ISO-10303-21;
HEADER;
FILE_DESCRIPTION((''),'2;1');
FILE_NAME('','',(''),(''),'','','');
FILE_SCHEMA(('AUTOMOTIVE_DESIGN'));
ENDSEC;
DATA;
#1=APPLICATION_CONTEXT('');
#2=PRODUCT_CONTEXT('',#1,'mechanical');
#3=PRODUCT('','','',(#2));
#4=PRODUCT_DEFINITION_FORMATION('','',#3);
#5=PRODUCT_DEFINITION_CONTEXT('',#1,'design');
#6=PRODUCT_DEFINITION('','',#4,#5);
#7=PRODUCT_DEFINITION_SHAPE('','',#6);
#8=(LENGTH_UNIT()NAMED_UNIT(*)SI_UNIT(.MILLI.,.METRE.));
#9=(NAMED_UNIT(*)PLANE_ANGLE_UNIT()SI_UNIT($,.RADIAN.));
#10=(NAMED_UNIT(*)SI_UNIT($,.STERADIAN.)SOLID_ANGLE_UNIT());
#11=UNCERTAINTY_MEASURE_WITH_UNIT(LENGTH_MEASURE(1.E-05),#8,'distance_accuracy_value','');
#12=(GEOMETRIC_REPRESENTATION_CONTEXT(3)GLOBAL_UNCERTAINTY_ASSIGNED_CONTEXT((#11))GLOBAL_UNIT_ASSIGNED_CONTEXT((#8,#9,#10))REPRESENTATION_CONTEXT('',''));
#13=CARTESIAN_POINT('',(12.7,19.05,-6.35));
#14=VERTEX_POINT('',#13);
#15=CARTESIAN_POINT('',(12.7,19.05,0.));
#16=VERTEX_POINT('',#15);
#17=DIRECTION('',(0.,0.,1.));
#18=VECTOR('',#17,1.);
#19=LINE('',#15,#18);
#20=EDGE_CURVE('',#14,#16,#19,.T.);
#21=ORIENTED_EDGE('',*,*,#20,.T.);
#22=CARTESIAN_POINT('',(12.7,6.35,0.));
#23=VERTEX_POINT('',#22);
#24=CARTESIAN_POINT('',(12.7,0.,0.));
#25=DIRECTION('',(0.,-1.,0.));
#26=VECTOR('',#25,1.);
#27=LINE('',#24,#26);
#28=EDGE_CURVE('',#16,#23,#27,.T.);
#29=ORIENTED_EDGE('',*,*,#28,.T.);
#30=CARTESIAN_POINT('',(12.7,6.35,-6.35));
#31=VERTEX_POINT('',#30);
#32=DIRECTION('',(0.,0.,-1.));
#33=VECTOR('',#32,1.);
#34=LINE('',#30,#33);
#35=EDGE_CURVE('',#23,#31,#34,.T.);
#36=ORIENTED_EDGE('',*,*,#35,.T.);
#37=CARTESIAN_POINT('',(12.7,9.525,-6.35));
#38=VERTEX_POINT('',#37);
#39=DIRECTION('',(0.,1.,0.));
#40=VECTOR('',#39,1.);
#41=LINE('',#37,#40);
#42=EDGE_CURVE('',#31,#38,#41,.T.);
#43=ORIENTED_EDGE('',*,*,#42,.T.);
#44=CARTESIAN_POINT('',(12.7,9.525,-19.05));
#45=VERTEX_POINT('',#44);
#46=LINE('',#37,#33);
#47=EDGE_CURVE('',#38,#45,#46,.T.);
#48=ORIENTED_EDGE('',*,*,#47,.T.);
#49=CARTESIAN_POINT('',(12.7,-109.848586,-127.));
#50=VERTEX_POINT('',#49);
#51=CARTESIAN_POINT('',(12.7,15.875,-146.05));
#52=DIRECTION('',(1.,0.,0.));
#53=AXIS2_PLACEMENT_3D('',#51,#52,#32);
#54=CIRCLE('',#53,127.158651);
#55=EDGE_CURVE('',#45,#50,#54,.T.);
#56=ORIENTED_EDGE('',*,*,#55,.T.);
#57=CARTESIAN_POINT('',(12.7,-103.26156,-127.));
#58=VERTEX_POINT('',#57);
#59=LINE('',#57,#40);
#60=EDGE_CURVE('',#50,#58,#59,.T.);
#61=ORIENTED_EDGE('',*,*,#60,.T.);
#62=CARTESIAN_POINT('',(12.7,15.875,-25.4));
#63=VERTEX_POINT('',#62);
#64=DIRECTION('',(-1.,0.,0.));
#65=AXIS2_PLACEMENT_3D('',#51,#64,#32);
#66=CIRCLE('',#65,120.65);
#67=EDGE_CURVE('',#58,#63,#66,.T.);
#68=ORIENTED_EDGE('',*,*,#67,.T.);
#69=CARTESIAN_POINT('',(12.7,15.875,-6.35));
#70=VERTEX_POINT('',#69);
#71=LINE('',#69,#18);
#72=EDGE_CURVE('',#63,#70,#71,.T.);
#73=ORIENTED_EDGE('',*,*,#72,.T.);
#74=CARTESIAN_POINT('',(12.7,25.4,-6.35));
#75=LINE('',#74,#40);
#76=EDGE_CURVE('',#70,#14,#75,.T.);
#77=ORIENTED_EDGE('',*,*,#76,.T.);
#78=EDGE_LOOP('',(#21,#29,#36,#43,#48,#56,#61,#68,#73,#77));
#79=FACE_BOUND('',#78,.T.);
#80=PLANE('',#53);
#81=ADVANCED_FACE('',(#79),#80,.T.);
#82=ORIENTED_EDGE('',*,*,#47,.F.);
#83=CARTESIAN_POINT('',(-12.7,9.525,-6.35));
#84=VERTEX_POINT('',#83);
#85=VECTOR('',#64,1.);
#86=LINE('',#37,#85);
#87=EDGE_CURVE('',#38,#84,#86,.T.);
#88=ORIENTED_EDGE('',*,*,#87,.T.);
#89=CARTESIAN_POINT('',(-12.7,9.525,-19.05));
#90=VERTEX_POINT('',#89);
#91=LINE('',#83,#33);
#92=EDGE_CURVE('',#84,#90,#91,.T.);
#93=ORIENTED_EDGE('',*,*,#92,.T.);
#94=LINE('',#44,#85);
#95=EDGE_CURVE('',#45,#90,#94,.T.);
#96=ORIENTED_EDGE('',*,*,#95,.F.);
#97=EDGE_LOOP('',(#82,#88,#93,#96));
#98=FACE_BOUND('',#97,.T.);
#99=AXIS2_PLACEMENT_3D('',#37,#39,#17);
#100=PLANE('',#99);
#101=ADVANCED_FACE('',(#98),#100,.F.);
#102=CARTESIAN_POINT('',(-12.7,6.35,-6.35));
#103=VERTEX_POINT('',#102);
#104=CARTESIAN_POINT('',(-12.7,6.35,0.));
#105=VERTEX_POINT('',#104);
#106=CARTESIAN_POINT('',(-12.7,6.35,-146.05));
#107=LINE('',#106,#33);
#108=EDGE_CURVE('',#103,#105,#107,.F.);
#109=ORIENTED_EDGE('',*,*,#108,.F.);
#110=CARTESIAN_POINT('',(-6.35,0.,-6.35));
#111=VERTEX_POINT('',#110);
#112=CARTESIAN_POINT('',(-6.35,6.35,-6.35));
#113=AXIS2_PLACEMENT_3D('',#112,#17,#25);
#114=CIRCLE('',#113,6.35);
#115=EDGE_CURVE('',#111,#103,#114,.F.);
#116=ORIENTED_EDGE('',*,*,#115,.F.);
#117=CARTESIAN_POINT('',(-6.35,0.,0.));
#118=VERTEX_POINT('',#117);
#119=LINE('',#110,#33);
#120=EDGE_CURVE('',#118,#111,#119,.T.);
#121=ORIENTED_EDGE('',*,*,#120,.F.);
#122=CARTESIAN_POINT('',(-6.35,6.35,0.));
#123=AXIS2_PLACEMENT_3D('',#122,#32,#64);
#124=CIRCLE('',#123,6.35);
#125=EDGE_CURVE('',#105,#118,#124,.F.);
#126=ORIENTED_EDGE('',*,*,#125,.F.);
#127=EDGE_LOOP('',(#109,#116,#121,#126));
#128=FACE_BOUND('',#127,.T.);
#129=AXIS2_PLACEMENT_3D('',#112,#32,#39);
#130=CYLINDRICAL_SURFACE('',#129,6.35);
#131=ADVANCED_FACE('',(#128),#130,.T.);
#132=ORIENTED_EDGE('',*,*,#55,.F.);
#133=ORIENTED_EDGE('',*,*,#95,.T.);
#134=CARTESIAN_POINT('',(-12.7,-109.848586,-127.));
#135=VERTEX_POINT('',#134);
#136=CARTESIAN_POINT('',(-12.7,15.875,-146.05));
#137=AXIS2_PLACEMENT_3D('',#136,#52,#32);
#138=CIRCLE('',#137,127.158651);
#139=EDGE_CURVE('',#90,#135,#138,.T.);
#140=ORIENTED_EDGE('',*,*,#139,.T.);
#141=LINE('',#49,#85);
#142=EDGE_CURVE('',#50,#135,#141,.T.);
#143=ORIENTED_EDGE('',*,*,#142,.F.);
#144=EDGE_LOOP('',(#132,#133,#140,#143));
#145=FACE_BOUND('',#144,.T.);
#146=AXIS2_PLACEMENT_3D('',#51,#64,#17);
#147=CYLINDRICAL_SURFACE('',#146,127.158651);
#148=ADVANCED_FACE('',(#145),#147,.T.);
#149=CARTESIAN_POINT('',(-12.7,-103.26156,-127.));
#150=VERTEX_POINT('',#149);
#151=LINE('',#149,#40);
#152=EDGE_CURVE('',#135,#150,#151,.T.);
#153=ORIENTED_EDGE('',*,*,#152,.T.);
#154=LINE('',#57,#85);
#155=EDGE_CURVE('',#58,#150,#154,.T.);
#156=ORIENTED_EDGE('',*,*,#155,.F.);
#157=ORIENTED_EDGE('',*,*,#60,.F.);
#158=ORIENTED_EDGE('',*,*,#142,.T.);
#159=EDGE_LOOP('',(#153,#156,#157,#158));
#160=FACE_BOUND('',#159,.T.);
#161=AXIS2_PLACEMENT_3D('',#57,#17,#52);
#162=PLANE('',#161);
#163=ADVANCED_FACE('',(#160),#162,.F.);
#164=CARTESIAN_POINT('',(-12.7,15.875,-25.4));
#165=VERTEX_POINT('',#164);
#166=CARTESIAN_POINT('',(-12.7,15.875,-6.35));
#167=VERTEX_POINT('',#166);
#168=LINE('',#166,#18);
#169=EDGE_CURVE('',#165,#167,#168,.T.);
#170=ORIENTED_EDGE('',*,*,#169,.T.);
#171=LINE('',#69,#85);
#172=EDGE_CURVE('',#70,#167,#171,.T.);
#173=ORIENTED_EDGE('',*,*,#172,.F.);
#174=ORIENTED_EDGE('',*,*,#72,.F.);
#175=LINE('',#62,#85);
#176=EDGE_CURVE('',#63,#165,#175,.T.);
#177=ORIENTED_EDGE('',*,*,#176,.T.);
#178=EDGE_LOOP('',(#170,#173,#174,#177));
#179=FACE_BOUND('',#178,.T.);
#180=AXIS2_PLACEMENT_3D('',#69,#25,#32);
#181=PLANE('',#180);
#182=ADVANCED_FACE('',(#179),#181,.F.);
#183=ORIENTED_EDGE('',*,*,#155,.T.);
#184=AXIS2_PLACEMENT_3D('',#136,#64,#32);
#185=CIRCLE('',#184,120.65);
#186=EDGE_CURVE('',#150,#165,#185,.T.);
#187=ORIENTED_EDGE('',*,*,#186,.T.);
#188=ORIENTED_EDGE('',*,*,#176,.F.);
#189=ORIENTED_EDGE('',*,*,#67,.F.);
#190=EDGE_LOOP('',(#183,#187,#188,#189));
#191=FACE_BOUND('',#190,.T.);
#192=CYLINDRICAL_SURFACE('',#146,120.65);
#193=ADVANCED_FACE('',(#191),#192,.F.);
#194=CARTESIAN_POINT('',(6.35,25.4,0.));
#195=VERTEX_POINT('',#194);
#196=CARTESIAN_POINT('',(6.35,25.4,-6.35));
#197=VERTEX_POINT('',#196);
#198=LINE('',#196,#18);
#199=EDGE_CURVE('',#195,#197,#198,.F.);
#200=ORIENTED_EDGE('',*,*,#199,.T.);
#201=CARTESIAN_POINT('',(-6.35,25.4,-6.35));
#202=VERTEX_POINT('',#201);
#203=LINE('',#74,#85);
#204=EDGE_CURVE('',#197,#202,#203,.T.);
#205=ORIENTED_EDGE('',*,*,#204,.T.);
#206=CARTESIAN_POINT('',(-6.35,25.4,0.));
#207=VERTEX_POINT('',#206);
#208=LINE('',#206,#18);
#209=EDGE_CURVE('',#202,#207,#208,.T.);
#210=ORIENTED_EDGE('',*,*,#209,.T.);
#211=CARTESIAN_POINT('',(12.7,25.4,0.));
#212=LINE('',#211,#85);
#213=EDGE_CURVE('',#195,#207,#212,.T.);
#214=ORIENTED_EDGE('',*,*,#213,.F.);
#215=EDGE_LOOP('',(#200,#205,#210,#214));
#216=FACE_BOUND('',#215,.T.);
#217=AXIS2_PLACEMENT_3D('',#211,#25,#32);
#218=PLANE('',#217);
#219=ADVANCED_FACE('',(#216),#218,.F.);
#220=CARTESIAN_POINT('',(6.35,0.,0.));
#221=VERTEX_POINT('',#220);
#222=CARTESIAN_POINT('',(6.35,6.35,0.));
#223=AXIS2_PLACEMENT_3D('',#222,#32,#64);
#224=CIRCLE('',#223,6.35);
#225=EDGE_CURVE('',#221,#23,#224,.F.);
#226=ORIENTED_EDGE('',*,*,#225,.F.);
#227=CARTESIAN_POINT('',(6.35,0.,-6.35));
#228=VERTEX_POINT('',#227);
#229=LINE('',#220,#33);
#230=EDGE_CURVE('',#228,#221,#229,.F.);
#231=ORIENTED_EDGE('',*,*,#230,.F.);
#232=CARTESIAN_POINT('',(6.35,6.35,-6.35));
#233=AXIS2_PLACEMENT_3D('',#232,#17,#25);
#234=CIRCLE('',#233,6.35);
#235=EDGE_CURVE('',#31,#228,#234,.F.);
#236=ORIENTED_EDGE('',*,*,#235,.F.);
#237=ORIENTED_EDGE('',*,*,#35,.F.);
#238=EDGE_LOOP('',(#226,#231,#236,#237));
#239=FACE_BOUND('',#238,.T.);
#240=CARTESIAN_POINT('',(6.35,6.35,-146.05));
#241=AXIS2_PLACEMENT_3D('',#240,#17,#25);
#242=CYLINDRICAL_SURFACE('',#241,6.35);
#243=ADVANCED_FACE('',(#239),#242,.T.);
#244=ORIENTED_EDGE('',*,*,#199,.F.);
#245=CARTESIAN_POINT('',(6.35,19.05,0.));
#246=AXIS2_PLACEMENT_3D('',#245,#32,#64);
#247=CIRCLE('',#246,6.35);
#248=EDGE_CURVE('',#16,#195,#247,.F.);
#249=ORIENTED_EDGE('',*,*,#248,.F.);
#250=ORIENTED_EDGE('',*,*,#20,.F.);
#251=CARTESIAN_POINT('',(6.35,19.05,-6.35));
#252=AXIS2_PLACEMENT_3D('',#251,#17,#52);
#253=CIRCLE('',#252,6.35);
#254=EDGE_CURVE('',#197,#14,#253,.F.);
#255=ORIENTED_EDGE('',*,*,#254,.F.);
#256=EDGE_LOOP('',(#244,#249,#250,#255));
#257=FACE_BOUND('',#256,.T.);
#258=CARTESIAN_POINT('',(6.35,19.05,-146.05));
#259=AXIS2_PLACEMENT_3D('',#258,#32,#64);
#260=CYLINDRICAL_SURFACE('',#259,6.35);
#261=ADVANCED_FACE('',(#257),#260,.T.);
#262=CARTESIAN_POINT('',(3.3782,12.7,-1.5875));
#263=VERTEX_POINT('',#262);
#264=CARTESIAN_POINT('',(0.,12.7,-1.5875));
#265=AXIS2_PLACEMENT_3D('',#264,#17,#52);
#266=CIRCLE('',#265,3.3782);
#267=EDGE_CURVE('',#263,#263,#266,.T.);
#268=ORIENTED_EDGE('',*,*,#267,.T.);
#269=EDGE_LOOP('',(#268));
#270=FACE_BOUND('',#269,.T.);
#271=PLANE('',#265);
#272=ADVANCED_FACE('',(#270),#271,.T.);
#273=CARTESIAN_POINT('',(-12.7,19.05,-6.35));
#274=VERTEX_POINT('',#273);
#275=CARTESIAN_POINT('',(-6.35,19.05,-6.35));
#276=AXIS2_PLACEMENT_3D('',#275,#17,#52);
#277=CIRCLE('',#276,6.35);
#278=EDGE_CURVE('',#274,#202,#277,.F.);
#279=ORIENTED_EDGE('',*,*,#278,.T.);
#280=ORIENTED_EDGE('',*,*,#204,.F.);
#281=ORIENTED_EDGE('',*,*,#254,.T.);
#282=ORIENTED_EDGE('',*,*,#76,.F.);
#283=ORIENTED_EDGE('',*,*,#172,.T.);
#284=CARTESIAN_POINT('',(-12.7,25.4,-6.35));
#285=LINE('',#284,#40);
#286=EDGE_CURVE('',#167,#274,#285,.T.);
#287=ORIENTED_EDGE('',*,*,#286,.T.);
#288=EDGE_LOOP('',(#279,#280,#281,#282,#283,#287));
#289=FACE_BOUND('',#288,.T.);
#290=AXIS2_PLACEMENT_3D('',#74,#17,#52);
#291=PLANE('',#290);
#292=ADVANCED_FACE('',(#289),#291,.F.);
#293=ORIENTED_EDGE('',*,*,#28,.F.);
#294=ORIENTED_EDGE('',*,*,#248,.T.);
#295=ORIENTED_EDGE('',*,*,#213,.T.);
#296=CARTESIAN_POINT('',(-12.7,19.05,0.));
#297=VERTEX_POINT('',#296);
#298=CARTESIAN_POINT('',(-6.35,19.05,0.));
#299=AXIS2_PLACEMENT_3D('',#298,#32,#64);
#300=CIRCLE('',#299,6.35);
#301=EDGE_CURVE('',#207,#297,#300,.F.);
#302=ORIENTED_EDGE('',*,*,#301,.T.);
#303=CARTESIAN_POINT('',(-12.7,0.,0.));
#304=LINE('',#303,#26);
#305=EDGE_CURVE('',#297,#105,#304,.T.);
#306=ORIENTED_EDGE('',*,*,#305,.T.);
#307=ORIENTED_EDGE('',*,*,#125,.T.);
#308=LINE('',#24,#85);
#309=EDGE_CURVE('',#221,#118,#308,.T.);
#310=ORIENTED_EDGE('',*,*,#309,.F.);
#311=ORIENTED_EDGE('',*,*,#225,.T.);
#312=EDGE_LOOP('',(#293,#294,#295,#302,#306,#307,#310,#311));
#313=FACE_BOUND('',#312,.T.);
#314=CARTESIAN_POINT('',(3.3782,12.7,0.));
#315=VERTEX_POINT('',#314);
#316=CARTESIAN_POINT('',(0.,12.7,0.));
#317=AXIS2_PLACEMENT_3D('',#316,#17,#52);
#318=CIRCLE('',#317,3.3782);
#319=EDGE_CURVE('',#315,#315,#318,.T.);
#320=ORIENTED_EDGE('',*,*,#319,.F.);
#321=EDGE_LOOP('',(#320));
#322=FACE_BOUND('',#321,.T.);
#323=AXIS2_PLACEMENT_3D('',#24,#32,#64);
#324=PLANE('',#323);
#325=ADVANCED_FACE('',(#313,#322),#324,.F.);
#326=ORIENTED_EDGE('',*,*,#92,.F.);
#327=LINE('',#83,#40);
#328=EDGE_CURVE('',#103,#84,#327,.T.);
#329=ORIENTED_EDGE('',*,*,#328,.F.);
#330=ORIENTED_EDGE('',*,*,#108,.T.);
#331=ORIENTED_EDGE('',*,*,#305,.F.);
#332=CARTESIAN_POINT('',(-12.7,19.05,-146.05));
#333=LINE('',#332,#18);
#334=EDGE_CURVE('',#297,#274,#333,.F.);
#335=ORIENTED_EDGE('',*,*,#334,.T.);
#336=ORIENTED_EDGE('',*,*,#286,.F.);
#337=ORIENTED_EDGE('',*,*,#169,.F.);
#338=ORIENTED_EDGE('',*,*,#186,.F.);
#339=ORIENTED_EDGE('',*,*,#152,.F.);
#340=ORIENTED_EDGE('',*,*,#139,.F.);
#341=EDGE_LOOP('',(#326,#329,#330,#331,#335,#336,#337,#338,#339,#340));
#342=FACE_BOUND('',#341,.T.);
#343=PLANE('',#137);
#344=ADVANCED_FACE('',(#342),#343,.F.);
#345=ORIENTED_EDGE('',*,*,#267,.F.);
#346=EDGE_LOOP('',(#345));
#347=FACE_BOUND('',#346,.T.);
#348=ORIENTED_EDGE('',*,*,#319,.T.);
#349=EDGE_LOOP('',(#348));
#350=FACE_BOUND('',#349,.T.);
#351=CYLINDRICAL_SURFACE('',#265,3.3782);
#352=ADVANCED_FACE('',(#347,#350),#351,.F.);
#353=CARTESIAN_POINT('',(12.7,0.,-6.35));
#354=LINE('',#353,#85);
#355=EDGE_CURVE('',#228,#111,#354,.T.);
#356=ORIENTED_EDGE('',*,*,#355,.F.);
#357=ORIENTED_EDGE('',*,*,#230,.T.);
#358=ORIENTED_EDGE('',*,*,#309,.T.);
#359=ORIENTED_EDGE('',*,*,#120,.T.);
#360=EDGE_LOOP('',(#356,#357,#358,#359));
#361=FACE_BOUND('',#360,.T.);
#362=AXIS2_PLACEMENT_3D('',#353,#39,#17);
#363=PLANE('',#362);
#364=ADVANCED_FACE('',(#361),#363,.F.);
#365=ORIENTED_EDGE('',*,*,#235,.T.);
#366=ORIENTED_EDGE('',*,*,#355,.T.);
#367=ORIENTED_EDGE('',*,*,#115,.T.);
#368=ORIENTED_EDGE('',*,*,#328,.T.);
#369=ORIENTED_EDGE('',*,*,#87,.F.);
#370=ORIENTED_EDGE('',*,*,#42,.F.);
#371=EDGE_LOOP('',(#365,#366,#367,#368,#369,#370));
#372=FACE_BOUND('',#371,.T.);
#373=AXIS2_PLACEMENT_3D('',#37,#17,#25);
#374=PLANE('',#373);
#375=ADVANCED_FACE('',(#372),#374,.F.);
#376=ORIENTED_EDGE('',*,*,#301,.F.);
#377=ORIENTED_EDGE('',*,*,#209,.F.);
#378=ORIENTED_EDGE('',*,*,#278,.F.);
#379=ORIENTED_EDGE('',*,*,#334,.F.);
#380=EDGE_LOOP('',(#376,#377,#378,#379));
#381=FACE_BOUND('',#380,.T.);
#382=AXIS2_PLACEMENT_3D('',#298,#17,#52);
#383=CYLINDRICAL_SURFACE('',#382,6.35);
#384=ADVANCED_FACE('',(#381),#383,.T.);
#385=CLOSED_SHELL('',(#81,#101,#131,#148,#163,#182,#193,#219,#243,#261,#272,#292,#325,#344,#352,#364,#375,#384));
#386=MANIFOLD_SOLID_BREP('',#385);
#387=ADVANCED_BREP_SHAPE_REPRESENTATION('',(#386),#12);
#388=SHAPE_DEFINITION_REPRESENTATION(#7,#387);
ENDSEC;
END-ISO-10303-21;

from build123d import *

# Parameters (mm, degrees)
BOSS_EXTRUDE1_DEPTH = 12.7
SKETCH2_R           = 3.3782
CUT_EXTRUDE1_DEPTH  = 1.5875
FILLET2_R           = 6.35


with BuildPart() as part:
    # Sketch1 → Boss-Extrude1 (new body, symmetric)
    with BuildSketch(Plane(origin=(0, 0, 0), x_dir=(0, 0, -1), z_dir=(1, 0, 0))):
        with BuildLine():
            Line((0, 0), (0, 25.4))
            Line((0, 25.4), (6.35, 25.4))
            Line((6.35, 25.4), (6.35, 15.875))
            Line((6.35, 15.875), (25.4, 15.875))
            ThreePointArc((25.4, 15.875), (54.249114928, -62.413057838), (127, -103.2615603))
            Line((127, -103.2615603), (127, -109.848585695))
            ThreePointArc((127, -109.848585695), (51.735823624, -69.413678232), (19.05, 9.525))
            Line((19.05, 9.525), (6.35, 9.525))
            Line((6.35, 9.525), (6.35, 0))
            Line((6.35, 0), (0, 0))
        make_face()
    extrude(amount=BOSS_EXTRUDE1_DEPTH, both=True)

    # Sketch2 → Cut-Extrude1 (cut)
    with BuildSketch(Plane.XY):
        with Locations((0, 12.7)):
            Circle(SKETCH2_R)
    extrude(amount=-CUT_EXTRUDE1_DEPTH, mode=Mode.SUBTRACT)

    # Fillet2
    fillet2_edges = [part.edges().sort_by_distance(p)[0] for p in [
        (-12.7, 25.4, -3.175),
        (-12.7, 0, -3.175),
        (12.7, 25.4, -3.175),
        (12.7, 0, -3.175),
    ]]
    fillet(fillet2_edges, radius=FILLET2_R)


solid = part.part
